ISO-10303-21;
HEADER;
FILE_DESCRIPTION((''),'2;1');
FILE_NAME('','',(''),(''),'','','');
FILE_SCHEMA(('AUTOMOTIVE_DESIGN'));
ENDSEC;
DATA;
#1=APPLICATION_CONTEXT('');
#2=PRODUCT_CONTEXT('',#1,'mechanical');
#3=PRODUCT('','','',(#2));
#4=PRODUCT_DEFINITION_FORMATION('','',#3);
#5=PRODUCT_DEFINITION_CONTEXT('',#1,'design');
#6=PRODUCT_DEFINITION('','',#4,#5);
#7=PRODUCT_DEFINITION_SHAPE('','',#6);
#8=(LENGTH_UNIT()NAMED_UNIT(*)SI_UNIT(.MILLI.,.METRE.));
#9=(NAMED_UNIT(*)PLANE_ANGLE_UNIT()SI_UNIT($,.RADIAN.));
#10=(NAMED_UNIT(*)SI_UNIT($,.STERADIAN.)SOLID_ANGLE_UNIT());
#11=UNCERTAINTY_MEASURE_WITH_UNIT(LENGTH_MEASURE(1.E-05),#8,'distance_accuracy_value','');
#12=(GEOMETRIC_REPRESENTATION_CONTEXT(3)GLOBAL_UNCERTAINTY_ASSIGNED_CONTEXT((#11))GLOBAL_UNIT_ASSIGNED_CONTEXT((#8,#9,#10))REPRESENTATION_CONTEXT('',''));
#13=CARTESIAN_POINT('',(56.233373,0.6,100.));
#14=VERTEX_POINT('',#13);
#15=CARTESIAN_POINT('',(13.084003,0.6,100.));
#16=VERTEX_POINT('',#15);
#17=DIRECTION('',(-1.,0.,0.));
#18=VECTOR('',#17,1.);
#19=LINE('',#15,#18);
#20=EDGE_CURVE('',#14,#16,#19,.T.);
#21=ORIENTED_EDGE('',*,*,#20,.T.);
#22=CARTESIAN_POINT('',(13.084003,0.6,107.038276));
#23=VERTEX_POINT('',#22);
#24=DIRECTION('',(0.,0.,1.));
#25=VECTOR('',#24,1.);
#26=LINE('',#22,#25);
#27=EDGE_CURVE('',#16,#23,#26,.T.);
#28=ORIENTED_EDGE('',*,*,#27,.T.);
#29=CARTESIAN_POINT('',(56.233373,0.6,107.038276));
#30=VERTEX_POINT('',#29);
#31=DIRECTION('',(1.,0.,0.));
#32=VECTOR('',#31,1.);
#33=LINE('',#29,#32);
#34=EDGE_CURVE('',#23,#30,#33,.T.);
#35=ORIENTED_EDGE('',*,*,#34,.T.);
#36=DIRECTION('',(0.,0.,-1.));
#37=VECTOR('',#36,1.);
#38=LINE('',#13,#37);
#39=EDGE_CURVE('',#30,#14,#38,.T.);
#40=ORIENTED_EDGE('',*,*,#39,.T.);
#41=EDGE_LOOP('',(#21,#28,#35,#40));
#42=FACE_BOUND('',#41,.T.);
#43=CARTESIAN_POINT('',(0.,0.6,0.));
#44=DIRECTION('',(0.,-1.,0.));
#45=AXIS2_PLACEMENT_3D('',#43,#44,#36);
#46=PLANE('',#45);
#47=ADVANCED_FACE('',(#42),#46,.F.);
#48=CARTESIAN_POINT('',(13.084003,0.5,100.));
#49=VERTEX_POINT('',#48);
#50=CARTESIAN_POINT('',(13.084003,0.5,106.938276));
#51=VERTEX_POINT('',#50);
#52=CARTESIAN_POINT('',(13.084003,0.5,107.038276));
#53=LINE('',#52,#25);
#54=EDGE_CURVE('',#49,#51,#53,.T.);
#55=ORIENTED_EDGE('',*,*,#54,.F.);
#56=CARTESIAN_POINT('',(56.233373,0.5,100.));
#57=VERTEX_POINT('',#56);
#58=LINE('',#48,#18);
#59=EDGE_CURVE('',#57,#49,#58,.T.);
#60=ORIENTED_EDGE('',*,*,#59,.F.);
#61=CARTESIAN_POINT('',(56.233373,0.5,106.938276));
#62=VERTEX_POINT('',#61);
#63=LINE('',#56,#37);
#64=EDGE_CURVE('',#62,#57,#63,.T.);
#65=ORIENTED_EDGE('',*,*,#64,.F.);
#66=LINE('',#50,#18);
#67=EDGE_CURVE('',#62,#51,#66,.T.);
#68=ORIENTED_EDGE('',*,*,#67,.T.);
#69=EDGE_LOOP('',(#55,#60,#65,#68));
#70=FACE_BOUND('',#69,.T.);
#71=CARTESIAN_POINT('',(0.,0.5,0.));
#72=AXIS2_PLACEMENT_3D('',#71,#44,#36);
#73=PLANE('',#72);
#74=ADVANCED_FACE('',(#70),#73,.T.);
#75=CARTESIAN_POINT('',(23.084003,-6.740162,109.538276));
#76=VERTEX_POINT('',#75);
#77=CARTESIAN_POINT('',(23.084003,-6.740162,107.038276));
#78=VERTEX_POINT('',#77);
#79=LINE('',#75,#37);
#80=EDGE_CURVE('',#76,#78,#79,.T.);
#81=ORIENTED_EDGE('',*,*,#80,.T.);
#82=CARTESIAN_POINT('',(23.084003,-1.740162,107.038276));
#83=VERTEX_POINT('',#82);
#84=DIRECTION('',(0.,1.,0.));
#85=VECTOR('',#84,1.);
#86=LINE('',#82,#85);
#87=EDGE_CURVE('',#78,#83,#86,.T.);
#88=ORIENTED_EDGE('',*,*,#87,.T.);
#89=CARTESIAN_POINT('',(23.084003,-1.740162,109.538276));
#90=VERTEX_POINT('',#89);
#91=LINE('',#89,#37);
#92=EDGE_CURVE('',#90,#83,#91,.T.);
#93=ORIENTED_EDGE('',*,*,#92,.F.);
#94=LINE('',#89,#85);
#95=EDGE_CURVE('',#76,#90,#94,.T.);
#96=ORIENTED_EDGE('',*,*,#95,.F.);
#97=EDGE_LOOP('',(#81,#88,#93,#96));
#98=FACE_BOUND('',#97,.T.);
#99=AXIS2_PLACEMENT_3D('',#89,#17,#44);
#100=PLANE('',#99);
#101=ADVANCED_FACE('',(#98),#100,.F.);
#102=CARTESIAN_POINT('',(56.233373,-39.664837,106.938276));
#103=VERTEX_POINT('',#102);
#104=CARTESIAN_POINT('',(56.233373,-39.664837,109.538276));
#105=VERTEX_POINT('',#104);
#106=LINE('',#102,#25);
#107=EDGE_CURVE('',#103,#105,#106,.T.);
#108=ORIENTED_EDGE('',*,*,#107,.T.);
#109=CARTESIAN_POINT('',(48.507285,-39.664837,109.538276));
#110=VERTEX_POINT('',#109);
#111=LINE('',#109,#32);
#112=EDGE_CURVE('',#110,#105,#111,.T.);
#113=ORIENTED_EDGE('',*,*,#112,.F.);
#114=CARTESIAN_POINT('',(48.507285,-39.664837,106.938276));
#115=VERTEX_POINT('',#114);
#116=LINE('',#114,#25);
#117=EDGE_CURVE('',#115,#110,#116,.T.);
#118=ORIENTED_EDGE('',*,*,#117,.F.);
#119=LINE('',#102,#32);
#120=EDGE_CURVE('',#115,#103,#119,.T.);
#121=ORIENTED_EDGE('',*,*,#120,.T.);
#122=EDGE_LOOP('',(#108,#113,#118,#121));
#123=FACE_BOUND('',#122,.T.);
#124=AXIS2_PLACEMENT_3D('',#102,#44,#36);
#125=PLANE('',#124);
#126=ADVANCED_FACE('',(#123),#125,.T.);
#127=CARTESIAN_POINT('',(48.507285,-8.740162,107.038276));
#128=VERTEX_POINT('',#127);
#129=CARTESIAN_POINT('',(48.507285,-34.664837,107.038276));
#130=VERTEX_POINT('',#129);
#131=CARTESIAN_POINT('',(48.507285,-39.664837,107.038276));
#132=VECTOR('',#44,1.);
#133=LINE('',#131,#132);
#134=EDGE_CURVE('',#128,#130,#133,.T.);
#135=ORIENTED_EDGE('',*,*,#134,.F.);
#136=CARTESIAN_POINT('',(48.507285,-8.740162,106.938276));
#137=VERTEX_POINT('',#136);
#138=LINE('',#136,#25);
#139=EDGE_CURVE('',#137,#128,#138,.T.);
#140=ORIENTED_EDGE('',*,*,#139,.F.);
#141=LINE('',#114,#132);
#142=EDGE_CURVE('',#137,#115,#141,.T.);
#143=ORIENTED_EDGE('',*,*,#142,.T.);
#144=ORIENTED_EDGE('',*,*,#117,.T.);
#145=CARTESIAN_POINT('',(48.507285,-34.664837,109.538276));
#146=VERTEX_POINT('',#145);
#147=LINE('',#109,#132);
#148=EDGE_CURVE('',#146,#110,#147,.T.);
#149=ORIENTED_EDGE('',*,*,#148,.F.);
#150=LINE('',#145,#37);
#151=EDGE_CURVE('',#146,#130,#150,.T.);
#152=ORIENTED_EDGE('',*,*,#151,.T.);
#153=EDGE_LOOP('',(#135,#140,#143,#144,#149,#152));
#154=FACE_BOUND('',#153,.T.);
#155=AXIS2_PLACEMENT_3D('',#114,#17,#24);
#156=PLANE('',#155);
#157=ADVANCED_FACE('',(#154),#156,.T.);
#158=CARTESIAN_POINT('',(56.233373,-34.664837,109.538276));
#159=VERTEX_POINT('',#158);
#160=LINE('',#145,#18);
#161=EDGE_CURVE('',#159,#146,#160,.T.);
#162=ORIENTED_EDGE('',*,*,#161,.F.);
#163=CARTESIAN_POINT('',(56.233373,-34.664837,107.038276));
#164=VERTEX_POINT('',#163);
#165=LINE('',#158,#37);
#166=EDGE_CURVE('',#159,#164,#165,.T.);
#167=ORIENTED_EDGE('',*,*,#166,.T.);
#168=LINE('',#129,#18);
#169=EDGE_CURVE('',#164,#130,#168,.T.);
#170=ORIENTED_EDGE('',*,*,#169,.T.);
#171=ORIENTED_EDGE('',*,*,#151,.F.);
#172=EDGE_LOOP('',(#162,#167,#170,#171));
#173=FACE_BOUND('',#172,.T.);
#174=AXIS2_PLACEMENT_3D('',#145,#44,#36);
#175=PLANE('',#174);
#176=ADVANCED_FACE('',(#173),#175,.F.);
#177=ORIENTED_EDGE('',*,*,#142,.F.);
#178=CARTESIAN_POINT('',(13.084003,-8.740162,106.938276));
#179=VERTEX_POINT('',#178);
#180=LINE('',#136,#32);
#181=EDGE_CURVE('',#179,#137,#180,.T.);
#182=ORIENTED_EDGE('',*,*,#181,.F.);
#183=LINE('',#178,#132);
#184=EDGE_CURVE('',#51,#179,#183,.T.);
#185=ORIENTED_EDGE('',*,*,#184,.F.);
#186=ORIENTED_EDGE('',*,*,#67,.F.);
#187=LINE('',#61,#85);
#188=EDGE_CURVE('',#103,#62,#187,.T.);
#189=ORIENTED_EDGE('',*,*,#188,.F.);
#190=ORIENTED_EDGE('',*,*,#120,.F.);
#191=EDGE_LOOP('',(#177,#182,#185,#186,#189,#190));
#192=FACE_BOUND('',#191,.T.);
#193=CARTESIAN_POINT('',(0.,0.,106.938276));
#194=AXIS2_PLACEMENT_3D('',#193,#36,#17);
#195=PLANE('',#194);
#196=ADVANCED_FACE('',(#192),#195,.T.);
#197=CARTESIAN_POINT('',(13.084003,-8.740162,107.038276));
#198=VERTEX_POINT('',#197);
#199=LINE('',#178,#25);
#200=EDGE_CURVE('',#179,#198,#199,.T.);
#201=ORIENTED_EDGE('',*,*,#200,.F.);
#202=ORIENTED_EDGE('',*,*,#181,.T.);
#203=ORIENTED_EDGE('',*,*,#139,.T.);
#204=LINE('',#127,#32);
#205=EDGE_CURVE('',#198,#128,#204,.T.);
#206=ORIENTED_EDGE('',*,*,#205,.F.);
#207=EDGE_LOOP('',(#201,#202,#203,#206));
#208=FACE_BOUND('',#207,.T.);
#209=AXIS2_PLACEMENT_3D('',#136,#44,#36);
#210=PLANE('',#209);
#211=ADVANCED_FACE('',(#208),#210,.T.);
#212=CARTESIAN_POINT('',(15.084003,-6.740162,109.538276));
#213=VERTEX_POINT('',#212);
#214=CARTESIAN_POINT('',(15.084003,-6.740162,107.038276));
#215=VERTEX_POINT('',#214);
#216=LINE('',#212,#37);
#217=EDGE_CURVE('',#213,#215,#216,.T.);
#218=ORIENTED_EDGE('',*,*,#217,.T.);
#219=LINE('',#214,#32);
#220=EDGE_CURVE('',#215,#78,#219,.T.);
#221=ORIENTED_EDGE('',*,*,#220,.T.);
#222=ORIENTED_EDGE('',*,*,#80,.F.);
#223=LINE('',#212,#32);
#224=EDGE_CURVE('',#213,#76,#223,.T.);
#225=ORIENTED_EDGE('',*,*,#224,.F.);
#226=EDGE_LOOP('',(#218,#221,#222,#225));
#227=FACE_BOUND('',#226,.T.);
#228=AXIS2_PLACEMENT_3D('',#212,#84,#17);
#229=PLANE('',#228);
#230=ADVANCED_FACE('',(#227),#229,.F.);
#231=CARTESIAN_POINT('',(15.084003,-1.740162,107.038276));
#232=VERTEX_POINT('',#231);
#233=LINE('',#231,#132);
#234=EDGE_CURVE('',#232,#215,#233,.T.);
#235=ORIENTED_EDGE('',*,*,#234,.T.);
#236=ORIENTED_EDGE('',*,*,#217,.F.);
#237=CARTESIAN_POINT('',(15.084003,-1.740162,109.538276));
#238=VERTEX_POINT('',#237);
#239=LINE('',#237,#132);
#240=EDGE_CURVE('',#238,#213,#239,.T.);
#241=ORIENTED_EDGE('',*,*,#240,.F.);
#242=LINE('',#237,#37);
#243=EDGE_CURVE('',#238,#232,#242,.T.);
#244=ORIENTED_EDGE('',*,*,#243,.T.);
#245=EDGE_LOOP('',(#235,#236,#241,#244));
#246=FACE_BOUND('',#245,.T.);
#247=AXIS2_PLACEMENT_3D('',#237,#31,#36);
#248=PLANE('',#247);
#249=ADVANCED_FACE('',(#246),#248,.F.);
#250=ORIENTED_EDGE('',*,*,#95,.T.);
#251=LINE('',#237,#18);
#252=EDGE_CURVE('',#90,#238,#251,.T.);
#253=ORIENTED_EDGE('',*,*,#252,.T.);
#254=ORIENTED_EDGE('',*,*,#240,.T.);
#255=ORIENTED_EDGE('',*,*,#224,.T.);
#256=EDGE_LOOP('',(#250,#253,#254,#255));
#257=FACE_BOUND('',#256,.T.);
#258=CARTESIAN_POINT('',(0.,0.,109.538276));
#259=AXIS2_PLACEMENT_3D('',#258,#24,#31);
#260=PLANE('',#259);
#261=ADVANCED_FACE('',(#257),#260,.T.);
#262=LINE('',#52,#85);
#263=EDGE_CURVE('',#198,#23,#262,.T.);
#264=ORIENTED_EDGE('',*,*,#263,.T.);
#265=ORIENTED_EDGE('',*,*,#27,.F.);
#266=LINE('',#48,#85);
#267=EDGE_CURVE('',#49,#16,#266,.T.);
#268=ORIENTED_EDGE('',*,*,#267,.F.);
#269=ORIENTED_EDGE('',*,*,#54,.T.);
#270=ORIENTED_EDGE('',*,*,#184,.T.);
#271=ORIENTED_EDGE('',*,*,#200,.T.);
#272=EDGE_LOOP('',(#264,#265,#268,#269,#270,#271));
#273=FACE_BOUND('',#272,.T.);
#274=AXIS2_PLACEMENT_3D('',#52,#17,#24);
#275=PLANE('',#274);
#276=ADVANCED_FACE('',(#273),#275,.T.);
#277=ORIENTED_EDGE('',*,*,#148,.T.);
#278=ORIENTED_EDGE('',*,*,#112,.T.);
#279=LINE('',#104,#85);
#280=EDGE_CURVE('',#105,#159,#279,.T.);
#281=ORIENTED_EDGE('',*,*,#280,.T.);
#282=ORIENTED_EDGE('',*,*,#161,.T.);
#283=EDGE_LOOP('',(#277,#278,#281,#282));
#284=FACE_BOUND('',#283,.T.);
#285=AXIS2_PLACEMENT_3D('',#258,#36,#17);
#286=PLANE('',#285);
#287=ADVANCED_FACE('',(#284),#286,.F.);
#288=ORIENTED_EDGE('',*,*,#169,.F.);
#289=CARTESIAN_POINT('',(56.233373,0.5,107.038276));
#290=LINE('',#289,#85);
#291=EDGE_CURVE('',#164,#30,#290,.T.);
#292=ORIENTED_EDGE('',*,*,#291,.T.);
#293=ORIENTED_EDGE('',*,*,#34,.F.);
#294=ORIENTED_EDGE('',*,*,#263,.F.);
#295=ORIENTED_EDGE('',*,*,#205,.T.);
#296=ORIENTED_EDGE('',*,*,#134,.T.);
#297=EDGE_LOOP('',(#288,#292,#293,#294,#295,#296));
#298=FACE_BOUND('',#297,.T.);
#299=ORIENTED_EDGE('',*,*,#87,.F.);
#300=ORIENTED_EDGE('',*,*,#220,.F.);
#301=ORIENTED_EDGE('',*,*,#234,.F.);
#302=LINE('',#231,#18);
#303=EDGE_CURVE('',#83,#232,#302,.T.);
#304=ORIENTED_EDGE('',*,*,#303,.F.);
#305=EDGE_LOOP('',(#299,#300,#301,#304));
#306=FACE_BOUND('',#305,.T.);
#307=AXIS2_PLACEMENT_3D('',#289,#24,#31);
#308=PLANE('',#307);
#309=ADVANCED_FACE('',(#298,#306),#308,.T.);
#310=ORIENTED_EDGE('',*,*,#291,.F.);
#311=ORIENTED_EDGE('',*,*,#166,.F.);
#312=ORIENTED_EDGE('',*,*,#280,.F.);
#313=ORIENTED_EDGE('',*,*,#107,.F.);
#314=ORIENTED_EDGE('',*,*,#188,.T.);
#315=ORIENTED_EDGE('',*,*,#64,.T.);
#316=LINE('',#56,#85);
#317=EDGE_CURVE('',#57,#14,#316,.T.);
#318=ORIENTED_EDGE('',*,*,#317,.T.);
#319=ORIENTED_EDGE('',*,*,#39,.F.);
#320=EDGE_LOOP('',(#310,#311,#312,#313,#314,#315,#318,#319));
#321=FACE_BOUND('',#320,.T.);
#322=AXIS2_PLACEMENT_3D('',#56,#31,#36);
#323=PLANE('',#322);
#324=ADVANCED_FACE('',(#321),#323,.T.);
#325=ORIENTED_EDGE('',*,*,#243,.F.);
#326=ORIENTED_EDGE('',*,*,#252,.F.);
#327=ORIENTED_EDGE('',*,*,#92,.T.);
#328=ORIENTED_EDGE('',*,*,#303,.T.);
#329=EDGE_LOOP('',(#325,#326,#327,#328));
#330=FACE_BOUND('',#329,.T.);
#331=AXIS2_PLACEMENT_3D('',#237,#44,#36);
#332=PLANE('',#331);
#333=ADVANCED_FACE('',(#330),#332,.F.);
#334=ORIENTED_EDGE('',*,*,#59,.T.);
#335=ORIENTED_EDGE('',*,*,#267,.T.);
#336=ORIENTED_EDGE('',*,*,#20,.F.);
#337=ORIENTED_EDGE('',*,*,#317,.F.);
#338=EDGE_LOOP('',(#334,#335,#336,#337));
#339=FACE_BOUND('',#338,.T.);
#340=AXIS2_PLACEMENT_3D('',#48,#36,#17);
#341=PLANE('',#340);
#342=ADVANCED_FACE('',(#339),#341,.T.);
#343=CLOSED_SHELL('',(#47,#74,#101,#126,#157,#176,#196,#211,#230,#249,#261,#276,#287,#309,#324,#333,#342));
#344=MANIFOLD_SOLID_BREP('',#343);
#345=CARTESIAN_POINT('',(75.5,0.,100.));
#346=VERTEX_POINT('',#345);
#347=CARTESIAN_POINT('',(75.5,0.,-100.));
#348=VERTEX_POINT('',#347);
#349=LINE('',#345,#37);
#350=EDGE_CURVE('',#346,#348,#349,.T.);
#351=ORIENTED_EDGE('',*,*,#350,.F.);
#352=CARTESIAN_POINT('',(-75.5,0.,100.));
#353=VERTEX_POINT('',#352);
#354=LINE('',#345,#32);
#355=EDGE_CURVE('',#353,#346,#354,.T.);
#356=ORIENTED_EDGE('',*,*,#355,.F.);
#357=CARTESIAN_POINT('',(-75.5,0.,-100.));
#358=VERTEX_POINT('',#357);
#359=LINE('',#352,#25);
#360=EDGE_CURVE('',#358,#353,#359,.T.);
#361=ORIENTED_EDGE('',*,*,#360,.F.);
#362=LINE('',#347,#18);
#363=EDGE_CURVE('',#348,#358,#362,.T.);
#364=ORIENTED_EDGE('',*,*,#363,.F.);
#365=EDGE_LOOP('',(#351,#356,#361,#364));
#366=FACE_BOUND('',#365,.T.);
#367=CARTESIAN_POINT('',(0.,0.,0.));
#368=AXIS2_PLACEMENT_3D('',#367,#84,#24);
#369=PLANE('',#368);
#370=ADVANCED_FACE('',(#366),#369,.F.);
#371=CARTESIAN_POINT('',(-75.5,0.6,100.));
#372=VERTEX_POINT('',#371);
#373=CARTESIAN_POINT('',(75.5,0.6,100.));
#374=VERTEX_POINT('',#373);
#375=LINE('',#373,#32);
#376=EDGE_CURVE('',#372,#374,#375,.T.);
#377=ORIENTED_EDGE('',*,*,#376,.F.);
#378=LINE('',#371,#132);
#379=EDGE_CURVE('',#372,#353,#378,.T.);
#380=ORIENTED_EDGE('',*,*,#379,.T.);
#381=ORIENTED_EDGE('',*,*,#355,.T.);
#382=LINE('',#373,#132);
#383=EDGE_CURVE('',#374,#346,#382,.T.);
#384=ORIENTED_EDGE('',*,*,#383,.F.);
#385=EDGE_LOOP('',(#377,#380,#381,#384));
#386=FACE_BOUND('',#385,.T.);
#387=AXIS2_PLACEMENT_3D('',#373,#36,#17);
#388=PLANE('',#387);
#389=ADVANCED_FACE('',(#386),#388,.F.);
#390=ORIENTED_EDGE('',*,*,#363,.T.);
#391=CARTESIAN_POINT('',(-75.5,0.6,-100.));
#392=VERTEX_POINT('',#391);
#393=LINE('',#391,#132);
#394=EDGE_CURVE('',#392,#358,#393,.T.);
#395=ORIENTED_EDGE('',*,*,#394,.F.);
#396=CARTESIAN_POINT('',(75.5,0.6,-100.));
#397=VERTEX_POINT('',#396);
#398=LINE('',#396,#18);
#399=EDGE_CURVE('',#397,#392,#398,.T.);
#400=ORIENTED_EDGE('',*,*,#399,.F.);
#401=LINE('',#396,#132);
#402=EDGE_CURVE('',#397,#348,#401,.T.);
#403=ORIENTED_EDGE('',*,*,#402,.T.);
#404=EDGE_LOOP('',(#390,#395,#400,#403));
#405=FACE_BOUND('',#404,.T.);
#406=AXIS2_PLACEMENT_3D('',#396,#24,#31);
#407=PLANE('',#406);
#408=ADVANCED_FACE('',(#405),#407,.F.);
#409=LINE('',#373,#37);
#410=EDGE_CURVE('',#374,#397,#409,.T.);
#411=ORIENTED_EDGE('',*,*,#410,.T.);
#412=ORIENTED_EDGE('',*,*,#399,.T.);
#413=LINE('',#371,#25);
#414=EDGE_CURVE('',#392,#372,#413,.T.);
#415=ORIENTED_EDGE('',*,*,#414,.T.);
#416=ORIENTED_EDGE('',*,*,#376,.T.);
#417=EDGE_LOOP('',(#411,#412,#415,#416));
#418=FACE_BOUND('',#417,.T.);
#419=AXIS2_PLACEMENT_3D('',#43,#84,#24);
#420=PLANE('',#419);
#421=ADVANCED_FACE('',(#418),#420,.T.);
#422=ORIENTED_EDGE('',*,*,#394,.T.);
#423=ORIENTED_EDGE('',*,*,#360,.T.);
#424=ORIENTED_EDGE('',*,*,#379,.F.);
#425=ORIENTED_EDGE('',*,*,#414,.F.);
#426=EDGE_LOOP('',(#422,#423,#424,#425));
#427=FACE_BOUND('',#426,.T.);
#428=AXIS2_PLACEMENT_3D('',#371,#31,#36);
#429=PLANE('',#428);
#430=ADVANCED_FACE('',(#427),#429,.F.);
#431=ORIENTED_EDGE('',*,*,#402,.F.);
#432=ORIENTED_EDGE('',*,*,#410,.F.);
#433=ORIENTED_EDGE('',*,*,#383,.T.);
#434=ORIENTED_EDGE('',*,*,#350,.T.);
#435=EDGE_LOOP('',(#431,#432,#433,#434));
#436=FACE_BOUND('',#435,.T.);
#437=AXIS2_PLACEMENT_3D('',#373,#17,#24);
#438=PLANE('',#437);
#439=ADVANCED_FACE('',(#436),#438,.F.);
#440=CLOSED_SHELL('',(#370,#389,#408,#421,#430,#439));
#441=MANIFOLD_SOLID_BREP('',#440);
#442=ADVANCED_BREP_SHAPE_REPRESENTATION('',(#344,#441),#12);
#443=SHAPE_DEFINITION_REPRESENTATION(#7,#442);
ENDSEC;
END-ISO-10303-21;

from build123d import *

# Parameters (mm, degrees)
CROQUIS1_W              = 151
CROQUIS1_H              = 200
SALIENTE_EXTRUIR1_DEPTH = 0.6
CROQUIS4_W              = 43.149370068
CROQUIS4_H              = 7.03827607
SALIENTE_EXTRUIR2_DEPTH = 0.1
SALIENTE_EXTRUIR3_DEPTH = 0.1
CROQUIS7_W              = 7.726087965
CROQUIS7_H              = 5
CROQUIS7_W_2            = 8
SALIENTE_EXTRUIR5_DEPTH = 2.5


with BuildPart() as part:
    # Croquis1 → Saliente-Extruir1 (new body)
    with BuildSketch(Plane(origin=(0, 0, 0), x_dir=(1, 0, 0), z_dir=(0, 1, 0))):
        Rectangle(CROQUIS1_W, CROQUIS1_H)
    extrude(amount=SALIENTE_EXTRUIR1_DEPTH)


with BuildPart() as body_2:
    # Croquis4 → Saliente-Extruir2 (new body)
    with BuildSketch(Plane(origin=(0, 0.6, 0), x_dir=(1, 0, 0), z_dir=(0, 1, 0))):
        with Locations((34.65868757, -103.519138035)):
            Rectangle(CROQUIS4_W, CROQUIS4_H)
    extrude(amount=-SALIENTE_EXTRUIR2_DEPTH)

    # Croquis5 → Saliente-Extruir3 (add)
    with BuildSketch(Plane.XY.offset(107.03827607)):
        Polygon((56.233372604, 0.5), (56.233372604, -39.664836745), (48.507284639, -39.664836745), (48.507284639, -8.740162196), (13.084002536, -8.740162196), (13.084002536, 0.5), align=None)
    extrude(amount=-SALIENTE_EXTRUIR3_DEPTH)

    # Croquis7 → Saliente-Extruir5 (add)
    with BuildSketch(Plane.XY.offset(107.03827607)):
        with Locations((52.370328622, -37.164836745)):
            Rectangle(CROQUIS7_W, CROQUIS7_H)
        with Locations((19.084002536, -4.240162196)):
            Rectangle(CROQUIS7_W_2, CROQUIS7_H)
    extrude(amount=SALIENTE_EXTRUIR5_DEPTH)


solid = Compound([part.part, body_2.part])
